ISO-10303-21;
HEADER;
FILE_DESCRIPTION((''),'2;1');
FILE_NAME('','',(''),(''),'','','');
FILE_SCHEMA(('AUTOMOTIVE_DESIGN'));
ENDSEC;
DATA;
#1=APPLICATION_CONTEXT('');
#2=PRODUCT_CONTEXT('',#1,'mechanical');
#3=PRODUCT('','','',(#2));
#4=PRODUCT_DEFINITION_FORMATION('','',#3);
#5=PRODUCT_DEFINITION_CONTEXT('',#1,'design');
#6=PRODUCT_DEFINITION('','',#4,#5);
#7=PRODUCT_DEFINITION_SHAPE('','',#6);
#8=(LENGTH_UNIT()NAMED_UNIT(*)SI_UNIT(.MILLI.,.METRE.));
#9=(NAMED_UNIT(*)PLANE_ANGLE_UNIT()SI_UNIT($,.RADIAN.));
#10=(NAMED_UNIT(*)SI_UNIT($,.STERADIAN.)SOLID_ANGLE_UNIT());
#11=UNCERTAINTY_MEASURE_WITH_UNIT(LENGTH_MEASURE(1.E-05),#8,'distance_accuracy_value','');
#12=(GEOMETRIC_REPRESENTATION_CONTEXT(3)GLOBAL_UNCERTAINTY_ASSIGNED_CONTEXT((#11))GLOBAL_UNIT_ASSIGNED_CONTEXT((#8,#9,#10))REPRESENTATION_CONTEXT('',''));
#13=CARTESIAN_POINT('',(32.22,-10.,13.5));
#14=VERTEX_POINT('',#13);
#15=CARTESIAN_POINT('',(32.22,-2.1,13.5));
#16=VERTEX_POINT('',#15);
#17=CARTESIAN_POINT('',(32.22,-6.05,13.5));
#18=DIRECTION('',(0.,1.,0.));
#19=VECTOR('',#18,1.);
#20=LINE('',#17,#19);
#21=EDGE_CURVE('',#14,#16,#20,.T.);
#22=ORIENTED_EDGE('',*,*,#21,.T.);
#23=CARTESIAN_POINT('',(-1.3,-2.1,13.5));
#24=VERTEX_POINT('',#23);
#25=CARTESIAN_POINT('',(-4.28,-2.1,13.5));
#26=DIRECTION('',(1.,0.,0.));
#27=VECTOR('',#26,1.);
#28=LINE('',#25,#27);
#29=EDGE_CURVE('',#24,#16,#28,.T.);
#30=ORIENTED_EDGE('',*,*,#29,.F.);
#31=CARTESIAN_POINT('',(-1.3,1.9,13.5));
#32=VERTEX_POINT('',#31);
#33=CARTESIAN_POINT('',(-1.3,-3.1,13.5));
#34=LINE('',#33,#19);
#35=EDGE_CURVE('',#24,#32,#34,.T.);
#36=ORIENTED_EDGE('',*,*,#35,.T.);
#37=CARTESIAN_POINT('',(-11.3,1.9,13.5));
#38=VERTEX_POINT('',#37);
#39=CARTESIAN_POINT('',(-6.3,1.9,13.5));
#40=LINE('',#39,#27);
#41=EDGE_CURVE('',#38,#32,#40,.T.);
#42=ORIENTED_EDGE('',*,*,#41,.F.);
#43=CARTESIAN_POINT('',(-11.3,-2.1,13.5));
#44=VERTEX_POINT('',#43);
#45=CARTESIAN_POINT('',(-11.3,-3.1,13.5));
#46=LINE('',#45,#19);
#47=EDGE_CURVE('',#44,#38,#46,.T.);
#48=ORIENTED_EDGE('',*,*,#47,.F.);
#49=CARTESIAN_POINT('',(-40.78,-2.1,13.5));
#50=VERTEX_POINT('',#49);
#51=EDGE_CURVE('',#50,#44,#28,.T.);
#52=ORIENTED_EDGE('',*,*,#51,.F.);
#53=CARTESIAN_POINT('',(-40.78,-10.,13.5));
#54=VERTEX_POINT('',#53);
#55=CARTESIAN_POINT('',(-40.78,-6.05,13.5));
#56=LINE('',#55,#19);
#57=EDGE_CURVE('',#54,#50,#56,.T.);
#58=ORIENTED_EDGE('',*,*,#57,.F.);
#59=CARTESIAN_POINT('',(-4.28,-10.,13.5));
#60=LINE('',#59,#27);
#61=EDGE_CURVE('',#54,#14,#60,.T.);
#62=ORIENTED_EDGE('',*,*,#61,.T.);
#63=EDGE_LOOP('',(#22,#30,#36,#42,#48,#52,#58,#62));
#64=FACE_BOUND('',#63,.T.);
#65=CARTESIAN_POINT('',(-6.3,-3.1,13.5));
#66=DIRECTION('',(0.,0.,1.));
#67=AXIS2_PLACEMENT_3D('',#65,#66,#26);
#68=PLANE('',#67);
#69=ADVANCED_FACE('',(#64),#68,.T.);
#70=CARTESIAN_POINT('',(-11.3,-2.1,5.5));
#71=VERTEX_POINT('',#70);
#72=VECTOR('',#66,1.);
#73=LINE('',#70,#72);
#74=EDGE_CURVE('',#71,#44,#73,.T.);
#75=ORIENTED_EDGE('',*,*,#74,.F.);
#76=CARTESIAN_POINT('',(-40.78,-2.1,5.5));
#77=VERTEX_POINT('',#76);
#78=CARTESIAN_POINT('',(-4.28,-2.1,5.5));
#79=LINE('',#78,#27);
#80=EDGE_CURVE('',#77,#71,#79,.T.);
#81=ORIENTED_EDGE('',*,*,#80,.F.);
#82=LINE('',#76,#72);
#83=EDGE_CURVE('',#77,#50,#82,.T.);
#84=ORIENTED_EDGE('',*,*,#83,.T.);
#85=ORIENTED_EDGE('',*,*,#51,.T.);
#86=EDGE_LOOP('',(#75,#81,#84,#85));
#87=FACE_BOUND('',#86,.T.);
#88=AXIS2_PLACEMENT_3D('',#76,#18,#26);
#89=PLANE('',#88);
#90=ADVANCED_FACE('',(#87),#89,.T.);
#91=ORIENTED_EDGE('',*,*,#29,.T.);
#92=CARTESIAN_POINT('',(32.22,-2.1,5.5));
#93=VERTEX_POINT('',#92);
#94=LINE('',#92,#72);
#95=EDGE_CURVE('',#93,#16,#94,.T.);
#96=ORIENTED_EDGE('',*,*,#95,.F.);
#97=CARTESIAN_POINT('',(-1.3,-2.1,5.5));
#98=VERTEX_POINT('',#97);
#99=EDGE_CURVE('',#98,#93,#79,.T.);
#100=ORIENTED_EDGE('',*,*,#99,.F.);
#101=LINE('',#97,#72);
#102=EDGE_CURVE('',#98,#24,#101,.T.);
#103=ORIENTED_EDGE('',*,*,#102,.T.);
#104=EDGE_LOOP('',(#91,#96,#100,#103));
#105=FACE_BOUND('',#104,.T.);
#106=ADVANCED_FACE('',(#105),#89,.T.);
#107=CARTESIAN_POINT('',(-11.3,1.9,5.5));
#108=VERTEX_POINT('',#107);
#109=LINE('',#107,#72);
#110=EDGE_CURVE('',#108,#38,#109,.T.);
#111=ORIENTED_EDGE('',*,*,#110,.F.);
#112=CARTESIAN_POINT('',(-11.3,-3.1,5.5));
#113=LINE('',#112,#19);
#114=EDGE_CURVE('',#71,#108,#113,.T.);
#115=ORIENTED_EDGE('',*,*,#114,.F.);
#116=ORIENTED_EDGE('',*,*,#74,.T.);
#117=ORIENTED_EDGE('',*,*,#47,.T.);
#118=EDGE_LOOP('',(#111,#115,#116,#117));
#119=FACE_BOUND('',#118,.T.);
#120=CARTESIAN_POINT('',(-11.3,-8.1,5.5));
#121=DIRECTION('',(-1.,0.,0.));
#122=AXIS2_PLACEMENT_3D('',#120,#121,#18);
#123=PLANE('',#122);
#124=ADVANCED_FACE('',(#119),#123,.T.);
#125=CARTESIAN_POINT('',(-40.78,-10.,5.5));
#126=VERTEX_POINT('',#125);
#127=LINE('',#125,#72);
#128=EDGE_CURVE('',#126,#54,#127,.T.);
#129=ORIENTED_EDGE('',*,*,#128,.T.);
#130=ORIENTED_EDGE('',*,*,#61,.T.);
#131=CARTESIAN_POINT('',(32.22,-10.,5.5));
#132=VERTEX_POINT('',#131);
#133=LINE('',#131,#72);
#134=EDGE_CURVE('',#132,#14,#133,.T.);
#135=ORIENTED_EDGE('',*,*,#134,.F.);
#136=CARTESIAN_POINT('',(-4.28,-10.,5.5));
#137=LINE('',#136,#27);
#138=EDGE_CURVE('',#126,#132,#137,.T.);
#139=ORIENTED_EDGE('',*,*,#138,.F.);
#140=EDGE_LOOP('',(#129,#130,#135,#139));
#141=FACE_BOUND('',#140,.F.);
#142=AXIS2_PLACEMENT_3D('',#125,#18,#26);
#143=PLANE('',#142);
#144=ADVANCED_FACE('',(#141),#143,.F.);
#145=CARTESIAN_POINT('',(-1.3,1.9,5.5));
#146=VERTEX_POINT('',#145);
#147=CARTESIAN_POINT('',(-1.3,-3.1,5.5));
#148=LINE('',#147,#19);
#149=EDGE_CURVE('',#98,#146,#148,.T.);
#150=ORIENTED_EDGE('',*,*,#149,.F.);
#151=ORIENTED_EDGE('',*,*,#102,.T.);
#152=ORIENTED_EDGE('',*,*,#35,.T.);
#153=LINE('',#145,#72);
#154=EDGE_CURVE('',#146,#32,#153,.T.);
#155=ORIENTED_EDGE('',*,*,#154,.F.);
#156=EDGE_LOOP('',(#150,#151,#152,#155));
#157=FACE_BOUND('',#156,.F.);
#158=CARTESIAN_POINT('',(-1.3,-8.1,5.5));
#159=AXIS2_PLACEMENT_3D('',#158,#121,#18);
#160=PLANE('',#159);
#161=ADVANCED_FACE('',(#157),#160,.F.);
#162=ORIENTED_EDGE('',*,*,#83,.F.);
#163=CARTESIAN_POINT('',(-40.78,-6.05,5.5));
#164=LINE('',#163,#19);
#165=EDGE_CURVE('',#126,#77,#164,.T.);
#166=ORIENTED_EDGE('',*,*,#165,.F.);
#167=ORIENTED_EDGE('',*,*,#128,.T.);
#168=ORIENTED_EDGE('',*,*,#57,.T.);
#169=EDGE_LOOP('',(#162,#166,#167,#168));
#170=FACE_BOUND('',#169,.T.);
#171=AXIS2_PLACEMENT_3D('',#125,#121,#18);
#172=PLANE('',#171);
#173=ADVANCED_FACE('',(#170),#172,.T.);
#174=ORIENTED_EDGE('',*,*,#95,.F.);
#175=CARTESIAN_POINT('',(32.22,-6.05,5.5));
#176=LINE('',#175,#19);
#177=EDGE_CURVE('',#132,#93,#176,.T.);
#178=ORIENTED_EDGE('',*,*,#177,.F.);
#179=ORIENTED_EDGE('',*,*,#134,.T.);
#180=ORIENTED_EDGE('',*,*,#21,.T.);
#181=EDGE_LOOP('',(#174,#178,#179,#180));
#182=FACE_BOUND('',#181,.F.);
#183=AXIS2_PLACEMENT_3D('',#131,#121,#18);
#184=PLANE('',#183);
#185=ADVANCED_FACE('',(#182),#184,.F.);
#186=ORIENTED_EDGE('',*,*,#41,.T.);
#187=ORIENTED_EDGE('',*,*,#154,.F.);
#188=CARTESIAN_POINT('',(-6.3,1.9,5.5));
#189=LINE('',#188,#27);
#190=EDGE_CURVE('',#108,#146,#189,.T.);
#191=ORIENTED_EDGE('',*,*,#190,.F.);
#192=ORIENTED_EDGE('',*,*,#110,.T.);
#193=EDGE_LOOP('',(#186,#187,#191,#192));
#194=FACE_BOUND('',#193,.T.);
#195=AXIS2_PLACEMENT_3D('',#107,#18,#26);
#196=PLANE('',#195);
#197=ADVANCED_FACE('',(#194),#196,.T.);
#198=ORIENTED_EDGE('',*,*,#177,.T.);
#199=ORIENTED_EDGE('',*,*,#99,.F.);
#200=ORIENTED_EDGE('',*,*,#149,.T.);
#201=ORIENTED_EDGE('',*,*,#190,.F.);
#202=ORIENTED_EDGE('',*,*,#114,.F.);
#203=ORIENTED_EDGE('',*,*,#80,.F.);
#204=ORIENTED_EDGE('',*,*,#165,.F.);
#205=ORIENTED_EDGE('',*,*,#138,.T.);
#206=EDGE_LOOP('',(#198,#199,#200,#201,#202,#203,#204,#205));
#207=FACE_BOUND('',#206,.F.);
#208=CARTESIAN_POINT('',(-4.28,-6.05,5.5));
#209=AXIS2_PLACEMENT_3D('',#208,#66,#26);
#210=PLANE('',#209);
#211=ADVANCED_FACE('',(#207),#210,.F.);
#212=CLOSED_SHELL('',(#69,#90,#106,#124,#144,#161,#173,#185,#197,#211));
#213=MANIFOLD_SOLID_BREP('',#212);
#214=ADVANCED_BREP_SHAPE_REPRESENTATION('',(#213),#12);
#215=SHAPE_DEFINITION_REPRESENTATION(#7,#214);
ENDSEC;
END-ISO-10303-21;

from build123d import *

# Parameters (mm, degrees)
BOX070_W     = 10
BOX070_H     = 10
BOX070_DEPTH = 8
BOX069_W     = 73
BOX069_H     = 7.9
BOX069_DEPTH = 8


with BuildPart() as cube068:
    # Box070 → Box070 (new body)
    with BuildSketch(Plane(origin=(-11.3, -8.1, 5.5), x_dir=(1, 0, 0), z_dir=(0, 0, 1))):
        with Locations((5, 5)):
            Rectangle(BOX070_W, BOX070_H)
    extrude(amount=BOX070_DEPTH)


with BuildPart() as regla:
    # Box069 → Box069 (new body)
    with BuildSketch(Plane(origin=(-40.78, -10, 5.5), x_dir=(1, 0, 0), z_dir=(0, 0, 1))):
        with Locations((36.5, 3.95)):
            Rectangle(BOX069_W, BOX069_H)
    extrude(amount=BOX069_DEPTH)

    # Fusion006: union Cube068
    add(cube068.part)


solid = regla.part
